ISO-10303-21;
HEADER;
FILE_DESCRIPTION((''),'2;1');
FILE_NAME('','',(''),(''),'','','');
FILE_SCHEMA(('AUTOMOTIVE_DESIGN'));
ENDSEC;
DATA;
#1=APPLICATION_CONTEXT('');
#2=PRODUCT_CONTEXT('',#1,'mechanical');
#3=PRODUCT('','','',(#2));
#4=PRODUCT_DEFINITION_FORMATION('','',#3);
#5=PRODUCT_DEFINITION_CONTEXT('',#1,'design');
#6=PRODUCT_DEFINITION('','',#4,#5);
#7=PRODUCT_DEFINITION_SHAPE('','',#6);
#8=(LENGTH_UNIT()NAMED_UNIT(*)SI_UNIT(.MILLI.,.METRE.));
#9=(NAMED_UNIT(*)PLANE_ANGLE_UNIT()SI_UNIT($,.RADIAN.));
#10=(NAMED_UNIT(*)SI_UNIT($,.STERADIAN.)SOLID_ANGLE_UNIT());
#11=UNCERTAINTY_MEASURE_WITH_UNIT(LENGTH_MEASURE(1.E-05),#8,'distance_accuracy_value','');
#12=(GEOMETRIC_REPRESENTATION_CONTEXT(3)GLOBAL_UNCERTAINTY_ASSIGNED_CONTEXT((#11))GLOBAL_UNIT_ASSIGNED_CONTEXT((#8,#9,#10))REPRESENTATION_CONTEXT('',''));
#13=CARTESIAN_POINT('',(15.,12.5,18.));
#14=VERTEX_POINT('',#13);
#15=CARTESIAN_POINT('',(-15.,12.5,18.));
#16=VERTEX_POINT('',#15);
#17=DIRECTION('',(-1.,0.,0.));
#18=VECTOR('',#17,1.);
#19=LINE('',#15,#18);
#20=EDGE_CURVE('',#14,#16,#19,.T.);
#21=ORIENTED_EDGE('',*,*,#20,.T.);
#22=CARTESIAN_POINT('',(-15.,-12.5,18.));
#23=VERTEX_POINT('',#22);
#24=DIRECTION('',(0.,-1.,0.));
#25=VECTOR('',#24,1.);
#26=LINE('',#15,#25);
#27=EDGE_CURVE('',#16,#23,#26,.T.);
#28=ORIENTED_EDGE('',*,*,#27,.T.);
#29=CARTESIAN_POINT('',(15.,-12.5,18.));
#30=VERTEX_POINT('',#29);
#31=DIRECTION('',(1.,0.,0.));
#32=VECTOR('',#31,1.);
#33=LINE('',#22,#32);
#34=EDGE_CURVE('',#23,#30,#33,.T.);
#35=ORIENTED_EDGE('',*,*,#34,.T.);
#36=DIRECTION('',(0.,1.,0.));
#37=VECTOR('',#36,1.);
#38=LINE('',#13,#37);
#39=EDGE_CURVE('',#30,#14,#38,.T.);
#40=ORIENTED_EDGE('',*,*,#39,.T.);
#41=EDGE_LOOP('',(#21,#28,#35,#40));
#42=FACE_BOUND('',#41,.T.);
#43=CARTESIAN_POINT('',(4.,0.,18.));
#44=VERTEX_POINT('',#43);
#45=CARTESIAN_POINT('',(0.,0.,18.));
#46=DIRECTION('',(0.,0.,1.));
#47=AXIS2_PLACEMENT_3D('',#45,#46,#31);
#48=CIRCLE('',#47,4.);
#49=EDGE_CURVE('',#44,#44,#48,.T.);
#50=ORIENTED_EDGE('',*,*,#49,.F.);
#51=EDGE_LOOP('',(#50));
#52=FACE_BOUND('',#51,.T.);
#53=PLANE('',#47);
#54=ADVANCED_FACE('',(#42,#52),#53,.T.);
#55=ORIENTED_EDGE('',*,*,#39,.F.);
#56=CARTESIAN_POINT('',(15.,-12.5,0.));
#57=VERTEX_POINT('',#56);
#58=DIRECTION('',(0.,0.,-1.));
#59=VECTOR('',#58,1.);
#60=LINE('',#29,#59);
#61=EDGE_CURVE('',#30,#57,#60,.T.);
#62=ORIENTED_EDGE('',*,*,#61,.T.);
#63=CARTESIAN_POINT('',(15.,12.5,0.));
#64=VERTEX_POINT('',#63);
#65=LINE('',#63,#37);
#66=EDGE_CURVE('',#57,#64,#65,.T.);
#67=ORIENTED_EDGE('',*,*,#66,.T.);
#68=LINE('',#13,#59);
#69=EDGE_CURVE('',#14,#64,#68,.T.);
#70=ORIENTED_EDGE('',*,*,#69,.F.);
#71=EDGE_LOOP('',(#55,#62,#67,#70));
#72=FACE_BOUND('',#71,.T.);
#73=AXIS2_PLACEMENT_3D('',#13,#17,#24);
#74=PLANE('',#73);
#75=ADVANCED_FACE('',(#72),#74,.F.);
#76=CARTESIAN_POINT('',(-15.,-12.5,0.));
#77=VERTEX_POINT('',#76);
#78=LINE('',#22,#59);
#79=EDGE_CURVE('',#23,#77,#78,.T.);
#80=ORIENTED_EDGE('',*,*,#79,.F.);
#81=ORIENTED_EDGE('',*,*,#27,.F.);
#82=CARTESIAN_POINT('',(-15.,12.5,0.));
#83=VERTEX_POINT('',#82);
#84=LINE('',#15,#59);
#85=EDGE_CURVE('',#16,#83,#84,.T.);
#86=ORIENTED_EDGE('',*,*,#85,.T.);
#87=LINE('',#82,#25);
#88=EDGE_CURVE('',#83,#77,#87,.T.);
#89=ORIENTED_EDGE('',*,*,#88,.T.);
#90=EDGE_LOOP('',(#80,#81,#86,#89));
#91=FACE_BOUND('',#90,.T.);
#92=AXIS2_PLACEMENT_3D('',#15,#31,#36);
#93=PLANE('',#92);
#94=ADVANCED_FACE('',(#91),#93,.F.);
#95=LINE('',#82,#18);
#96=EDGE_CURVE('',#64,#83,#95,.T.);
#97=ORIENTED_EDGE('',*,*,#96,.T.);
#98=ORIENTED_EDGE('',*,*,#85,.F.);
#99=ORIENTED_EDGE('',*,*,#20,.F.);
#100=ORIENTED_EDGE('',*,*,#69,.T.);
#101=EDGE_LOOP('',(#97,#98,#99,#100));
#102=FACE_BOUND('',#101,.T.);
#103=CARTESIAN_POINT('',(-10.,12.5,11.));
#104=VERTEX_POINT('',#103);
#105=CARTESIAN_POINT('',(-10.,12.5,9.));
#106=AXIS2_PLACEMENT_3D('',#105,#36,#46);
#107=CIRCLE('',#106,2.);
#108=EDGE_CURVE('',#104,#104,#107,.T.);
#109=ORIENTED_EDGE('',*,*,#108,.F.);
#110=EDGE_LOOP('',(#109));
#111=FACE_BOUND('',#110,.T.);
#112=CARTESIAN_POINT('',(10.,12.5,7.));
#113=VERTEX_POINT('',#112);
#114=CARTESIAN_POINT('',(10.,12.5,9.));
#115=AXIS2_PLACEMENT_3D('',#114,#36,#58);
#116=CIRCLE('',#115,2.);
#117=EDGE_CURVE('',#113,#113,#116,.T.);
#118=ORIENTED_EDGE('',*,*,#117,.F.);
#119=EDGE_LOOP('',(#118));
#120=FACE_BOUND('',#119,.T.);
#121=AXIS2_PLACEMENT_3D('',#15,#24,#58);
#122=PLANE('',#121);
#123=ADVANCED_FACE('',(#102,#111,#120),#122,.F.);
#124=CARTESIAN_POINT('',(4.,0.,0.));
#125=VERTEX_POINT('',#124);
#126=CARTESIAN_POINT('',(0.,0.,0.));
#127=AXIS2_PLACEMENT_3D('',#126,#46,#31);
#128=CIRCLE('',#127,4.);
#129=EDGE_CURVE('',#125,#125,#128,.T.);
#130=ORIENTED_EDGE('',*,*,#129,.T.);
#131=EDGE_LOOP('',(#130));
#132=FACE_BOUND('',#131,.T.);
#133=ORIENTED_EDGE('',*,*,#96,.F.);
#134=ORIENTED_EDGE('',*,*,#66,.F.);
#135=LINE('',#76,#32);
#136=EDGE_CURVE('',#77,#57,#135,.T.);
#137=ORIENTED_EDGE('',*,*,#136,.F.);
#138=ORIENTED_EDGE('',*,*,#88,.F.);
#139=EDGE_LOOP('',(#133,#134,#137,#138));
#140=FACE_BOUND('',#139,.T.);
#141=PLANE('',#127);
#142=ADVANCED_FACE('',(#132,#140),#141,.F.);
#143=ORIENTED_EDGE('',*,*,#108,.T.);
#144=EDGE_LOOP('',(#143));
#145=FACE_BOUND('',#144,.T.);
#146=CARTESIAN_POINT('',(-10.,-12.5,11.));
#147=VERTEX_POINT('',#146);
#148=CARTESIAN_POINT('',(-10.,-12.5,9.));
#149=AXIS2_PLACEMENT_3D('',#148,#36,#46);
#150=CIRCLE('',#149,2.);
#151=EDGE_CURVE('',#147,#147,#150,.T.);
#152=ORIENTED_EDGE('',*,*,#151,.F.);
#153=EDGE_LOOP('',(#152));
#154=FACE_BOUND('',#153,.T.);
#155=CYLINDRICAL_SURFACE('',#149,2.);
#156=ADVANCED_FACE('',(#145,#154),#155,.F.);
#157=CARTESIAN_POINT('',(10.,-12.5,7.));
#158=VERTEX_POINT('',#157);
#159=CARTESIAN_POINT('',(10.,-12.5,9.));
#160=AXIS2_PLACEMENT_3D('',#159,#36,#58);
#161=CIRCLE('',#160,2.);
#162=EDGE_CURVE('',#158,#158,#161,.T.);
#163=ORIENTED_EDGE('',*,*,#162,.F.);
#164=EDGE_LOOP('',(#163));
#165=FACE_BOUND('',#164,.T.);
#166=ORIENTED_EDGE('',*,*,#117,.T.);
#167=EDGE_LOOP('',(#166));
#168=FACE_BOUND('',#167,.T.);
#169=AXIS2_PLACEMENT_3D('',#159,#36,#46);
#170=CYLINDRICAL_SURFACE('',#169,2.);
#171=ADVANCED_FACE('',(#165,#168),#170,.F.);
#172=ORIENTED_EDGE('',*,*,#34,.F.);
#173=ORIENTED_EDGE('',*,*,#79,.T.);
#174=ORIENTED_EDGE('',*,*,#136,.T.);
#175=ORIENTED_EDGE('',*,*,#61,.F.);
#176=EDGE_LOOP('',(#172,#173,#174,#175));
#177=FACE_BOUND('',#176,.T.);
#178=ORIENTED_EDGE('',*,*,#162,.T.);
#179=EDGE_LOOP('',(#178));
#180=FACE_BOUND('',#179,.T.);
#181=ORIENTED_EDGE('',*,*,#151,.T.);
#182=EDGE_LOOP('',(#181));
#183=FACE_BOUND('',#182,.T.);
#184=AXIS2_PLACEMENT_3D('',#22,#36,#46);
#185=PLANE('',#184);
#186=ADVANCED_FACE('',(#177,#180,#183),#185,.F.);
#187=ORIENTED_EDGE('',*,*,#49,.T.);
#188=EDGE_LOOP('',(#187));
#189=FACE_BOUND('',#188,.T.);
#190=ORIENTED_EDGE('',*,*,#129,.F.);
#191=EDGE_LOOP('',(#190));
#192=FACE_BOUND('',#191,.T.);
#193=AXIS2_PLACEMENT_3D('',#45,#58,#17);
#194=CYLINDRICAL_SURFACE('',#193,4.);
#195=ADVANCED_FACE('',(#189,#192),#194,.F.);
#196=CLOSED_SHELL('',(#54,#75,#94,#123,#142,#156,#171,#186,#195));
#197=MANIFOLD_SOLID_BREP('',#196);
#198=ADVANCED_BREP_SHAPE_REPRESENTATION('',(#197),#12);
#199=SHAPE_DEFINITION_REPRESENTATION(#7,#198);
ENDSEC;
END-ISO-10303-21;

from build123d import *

# Parameters (mm, degrees)
SKETCH1_W           = 30
SKETCH1_H           = 25
SKETCH1_R           = 4
BOSS_EXTRUDE1_DEPTH = 18
SKETCH3_R           = 2
CUT_EXTRUDE1_DEPTH  = 35.263683398


with BuildPart() as part:
    # Sketch1 → Boss-Extrude1 (new body)
    with BuildSketch(Plane.XY):
        Rectangle(SKETCH1_W, SKETCH1_H)
        Circle(SKETCH1_R, mode=Mode.SUBTRACT)
    extrude(amount=BOSS_EXTRUDE1_DEPTH)

    # Sketch3 → Cut-Extrude1 (cut, through all)
    with BuildSketch(Plane(origin=(0, 12.5, 0), x_dir=(1, 0, 0), z_dir=(0, 1, 0))):
        with Locations(Location((-10, -9, 0), (0, 0, 270))):
            Circle(SKETCH3_R)
        with Locations(Location((10, -9, 0), (0, 0, 90))):
            Circle(SKETCH3_R)
    extrude(amount=-CUT_EXTRUDE1_DEPTH, mode=Mode.SUBTRACT)


solid = part.part
